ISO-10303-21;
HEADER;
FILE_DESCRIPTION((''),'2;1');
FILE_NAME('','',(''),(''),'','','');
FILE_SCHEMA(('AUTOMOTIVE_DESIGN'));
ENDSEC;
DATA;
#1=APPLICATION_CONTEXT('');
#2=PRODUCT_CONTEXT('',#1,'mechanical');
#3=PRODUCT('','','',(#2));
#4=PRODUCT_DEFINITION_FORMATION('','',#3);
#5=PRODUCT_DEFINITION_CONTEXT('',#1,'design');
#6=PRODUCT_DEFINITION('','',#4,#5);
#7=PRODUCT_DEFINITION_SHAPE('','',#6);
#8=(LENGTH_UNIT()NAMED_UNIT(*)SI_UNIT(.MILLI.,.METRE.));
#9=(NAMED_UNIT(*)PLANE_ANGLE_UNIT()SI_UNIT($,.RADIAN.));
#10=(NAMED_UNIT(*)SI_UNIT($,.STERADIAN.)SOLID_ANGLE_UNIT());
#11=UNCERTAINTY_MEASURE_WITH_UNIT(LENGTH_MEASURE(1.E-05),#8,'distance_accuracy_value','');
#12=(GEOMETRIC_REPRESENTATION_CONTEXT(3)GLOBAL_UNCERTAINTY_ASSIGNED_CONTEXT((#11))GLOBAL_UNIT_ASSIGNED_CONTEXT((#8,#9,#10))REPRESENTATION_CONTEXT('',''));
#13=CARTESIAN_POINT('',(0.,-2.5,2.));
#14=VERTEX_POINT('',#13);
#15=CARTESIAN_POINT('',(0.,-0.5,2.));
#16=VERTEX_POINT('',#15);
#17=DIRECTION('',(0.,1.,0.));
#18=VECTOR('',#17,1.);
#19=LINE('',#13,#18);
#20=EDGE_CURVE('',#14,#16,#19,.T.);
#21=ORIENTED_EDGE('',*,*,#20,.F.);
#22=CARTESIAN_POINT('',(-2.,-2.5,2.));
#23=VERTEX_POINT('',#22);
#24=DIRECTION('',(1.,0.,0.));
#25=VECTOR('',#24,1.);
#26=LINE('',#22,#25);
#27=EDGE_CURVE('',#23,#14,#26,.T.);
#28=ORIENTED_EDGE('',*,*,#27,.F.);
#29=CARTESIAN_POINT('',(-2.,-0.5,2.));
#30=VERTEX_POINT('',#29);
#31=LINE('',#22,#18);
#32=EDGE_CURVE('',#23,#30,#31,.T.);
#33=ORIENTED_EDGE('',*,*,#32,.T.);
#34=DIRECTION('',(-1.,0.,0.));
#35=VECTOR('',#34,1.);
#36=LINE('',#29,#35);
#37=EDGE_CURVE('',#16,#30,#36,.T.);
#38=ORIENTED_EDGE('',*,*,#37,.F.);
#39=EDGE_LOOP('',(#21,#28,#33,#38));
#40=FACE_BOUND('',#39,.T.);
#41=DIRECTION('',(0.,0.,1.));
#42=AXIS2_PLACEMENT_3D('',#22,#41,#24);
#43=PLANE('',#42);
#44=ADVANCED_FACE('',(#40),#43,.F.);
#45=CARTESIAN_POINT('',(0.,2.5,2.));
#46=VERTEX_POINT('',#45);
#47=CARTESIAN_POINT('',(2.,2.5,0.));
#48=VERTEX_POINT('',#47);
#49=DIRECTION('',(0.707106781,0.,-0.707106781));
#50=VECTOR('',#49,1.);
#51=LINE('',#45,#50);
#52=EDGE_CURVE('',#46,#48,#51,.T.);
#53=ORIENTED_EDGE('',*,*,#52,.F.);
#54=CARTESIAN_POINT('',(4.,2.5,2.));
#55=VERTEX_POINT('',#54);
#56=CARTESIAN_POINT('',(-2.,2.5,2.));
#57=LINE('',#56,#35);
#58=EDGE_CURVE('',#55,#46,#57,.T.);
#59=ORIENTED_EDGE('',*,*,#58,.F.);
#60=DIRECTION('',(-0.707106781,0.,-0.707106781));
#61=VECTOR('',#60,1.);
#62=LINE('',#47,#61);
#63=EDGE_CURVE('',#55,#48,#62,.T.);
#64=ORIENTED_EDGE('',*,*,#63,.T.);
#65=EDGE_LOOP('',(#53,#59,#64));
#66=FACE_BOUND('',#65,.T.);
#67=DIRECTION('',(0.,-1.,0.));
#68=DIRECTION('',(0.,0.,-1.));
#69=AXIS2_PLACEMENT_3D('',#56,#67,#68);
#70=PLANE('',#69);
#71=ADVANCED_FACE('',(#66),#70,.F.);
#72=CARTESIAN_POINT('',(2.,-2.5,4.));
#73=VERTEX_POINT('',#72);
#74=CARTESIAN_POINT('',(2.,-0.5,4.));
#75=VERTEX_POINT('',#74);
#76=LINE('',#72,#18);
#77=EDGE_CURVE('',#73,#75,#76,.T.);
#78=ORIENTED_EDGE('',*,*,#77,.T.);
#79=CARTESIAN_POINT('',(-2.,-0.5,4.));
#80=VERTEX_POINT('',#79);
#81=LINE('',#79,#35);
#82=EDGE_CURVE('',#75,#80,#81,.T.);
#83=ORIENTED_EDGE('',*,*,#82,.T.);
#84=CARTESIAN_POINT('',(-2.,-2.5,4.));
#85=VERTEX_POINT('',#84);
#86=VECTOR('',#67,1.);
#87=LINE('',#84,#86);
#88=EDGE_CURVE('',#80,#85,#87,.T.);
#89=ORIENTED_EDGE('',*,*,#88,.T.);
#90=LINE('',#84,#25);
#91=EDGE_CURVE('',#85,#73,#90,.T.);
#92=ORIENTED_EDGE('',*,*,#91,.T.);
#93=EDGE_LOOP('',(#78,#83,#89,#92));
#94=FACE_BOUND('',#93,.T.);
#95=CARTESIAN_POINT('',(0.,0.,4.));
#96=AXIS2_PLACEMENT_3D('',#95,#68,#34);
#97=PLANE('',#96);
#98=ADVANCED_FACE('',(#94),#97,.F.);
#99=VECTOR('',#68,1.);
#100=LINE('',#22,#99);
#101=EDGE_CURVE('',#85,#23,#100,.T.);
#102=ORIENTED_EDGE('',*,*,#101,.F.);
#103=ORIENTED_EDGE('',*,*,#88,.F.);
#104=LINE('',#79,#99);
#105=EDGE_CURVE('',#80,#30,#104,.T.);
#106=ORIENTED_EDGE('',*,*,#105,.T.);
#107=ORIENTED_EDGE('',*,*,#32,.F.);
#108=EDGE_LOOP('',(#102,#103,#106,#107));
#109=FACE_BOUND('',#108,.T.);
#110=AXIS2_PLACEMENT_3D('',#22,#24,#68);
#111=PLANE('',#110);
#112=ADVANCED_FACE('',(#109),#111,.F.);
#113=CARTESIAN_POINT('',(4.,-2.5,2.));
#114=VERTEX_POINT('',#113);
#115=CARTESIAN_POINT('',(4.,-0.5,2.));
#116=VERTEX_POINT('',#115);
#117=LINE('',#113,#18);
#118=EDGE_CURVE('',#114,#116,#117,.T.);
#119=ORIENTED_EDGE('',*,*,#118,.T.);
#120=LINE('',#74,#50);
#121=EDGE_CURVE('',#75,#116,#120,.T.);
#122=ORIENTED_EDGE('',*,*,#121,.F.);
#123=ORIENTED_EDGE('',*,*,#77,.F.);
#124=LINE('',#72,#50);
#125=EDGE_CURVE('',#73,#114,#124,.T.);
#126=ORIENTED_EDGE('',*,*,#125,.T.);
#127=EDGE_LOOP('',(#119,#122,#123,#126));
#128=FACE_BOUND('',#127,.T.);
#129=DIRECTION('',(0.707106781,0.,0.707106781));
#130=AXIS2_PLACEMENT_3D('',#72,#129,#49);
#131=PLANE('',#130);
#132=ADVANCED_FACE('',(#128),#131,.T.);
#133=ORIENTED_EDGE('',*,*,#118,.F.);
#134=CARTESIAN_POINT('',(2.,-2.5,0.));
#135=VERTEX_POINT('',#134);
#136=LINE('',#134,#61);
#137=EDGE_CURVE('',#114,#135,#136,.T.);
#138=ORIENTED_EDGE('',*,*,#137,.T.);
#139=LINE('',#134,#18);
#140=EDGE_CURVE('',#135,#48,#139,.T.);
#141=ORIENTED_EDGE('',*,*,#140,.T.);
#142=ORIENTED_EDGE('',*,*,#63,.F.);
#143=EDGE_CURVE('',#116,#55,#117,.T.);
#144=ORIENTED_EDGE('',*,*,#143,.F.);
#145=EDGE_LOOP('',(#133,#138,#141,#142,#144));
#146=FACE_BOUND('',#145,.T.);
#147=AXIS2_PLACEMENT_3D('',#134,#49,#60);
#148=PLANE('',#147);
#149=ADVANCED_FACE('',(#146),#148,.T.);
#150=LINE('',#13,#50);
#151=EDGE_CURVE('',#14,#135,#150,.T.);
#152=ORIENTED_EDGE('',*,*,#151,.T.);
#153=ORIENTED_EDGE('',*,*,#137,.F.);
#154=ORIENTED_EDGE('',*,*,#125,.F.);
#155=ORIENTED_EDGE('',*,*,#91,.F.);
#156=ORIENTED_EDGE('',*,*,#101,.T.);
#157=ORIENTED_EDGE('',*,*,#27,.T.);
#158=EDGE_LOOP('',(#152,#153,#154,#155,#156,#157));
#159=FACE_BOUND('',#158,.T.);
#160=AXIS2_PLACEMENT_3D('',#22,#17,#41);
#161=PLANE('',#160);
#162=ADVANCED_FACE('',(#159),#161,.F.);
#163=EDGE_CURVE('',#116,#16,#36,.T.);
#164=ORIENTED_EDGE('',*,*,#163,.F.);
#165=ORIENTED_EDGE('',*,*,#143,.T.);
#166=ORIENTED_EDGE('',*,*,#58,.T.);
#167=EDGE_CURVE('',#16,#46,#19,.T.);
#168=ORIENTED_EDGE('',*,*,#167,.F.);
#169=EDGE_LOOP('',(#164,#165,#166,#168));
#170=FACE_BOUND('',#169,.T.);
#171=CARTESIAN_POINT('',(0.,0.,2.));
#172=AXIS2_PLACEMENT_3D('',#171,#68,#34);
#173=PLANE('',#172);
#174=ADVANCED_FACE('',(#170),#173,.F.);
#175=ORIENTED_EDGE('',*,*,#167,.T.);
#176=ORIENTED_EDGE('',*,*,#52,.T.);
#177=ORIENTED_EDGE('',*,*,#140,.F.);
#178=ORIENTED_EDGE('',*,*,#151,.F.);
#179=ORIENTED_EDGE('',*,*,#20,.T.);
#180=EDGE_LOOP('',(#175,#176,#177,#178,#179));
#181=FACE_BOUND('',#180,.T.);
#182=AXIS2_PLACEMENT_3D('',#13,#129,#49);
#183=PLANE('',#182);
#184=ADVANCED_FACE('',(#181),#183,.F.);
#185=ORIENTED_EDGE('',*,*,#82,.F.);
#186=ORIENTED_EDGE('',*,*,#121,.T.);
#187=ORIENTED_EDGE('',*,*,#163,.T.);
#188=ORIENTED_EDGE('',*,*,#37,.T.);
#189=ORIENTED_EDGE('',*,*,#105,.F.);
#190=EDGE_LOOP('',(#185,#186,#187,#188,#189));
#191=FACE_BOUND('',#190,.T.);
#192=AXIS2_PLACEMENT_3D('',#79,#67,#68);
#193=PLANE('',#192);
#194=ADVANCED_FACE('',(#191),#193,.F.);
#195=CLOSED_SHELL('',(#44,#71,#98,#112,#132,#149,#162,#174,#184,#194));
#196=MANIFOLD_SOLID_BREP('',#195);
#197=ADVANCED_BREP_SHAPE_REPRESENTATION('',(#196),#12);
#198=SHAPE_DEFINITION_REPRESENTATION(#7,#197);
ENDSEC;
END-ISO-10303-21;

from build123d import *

# Parameters (mm, degrees)
SKETCH1_W           = 4
SKETCH1_H           = 5
BOSS_EXTRUDE1_DEPTH = 2
SKETCH2_W           = 4
SKETCH2_H           = 2
BOSS_EXTRUDE2_DEPTH = 2
BOSS_EXTRUDE3_DEPTH = 2
BOSS_EXTRUDE4_DEPTH = 5
CUT_EXTRUDE1_DEPTH  = 5


with BuildPart() as part:
    # Sketch1 → Boss-Extrude1 (new body)
    with BuildSketch(Plane.XY):
        Rectangle(SKETCH1_W, SKETCH1_H)
    extrude(amount=BOSS_EXTRUDE1_DEPTH)

    # Sketch2 → Boss-Extrude2 (add)
    with BuildSketch(Plane.XY.offset(2)):
        with Locations((0, -1.5)):
            Rectangle(SKETCH2_W, SKETCH2_H)
    extrude(amount=BOSS_EXTRUDE2_DEPTH)

    # Sketch3 → Boss-Extrude3 (add)
    with BuildSketch(Plane(origin=(0, -0.5, 0), x_dir=(1, 0, 0), z_dir=(0, 1, 0))):
        Polygon((2, -4), (4, -2), (2, -2), align=None)
    extrude(amount=-BOSS_EXTRUDE3_DEPTH)

    # Sketch4 → Boss-Extrude4 (add)
    with BuildSketch(Plane(origin=(0, 2.5, 0), x_dir=(1, 0, 0), z_dir=(0, 1, 0))):
        Polygon((2, 0), (4, -2), (1.353311903, -2), align=None)
    extrude(amount=-BOSS_EXTRUDE4_DEPTH)

    # Sketch5 → Cut-Extrude1 (cut)
    with BuildSketch(Plane(origin=(0, 2.5, 0), x_dir=(1, 0, 0), z_dir=(0, 1, 0))):
        Polygon((-2, -2), (0, -2), (2, 0), (-2, 0), align=None)
    extrude(amount=-CUT_EXTRUDE1_DEPTH, mode=Mode.SUBTRACT)


solid = part.part
